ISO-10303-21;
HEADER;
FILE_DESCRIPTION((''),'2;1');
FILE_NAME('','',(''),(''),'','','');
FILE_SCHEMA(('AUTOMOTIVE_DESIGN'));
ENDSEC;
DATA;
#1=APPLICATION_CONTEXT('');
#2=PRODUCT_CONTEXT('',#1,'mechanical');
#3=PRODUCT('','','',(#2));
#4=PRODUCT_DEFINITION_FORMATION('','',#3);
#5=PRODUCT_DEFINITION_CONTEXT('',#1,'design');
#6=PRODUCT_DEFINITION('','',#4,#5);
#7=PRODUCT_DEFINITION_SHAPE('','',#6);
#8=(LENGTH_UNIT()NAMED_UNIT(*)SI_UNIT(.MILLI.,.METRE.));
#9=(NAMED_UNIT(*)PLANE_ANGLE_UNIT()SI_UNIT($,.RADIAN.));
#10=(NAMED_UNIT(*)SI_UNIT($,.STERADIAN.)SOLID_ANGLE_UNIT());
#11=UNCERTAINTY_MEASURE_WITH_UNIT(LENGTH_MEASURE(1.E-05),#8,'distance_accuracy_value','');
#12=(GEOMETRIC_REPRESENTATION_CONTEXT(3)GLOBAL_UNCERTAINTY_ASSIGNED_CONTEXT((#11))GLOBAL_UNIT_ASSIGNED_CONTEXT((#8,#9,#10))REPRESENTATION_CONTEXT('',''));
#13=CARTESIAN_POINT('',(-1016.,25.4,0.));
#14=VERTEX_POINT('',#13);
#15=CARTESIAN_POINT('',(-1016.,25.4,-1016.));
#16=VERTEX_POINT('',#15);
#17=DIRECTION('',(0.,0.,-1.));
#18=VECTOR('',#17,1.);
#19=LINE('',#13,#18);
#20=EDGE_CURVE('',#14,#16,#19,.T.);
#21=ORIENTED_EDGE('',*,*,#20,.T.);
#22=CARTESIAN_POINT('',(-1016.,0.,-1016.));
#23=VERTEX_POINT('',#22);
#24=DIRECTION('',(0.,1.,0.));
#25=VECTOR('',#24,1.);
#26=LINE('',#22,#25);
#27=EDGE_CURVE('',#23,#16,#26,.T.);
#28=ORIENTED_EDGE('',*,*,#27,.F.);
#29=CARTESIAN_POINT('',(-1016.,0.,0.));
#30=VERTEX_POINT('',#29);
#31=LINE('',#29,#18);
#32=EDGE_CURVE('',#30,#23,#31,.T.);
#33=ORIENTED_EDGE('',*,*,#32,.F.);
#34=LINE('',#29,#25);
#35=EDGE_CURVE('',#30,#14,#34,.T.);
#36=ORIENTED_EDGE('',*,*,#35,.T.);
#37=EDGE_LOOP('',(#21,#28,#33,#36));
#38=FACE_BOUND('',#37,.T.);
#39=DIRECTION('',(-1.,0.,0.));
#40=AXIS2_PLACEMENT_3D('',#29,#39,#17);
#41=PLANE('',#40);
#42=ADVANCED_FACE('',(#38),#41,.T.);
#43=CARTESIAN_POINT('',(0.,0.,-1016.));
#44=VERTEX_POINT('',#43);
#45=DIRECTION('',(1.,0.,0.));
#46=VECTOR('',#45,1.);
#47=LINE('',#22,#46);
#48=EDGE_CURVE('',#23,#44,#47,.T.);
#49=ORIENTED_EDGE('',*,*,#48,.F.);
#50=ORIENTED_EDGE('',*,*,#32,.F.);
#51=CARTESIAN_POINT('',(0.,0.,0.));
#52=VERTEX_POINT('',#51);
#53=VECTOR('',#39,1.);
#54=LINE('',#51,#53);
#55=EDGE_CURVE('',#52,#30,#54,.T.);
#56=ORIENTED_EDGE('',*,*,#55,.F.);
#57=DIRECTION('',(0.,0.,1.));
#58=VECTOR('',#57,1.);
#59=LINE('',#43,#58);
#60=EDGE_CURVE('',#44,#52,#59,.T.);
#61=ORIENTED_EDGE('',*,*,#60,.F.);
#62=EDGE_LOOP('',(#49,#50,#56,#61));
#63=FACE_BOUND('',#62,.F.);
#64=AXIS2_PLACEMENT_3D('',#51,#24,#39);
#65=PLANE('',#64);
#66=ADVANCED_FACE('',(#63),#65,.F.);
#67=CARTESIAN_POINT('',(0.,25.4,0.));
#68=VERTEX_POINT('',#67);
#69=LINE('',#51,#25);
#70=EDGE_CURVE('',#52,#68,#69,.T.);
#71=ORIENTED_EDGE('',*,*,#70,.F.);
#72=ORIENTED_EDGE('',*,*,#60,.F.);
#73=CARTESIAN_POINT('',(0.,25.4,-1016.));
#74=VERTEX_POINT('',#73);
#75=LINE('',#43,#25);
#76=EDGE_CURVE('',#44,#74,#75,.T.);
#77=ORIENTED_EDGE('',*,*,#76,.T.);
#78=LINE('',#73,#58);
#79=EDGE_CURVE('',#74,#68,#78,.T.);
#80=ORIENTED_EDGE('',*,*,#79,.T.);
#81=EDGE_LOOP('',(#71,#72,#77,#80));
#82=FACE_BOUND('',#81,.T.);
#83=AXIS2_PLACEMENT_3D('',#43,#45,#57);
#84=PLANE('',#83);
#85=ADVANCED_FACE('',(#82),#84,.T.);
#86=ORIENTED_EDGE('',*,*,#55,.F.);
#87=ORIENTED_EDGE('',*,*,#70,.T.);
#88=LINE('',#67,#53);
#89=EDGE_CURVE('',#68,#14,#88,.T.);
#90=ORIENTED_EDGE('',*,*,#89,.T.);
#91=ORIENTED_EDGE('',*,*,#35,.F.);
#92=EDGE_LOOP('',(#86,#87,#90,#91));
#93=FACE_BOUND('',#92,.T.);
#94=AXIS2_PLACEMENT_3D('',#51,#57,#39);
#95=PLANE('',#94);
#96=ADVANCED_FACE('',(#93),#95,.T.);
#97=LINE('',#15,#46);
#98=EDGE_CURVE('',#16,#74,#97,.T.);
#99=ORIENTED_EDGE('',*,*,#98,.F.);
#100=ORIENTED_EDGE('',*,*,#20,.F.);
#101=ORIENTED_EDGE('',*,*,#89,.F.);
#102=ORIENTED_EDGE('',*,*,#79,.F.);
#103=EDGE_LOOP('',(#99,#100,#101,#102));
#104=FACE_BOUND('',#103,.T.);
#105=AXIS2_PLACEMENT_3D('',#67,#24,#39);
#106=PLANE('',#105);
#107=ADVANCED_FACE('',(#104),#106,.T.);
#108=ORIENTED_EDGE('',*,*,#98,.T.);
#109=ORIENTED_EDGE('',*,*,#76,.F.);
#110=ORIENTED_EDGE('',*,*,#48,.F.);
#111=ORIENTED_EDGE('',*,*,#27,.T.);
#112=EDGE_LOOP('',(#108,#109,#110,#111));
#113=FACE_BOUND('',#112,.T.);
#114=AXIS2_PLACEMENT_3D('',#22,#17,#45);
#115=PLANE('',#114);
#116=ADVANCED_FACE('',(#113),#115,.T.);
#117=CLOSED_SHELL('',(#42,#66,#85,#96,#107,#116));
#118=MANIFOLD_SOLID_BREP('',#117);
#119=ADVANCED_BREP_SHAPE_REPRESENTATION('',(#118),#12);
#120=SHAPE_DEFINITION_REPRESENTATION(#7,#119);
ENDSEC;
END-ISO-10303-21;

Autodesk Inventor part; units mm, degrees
ref_plane "YZ Plane" through (0, 0, 0) normal (1, 0, 0) x (0, 1, 0)
ref_plane "XZ Plane" through (0, 0, 0) normal (0, 1, 0) x (-1, 0, 0)
ref_plane "XY Plane" through (0, 0, 0) normal (0, 0, 1) x (1, 0, 0)
sketch "Sketch1" plane through (0, 0, 0) normal (0, 1, 0) x (-1, 0, 0)
  line L0 (0, 0) -> (1016, 0)
  line L1 (1016, 0) -> (1016, -1016)
  line L2 (1016, -1016) -> (0, -1016)
  line L3 (0, -1016) -> (0, 0)
  dimension "d0" = 1016
  dimension "d1" = 1016
extrude "Extrusion1" add sketch "Sketch1" along normal blind 25.4
properties part number "Platform.ver1-1111-2020" material "Wood (Maple)"
